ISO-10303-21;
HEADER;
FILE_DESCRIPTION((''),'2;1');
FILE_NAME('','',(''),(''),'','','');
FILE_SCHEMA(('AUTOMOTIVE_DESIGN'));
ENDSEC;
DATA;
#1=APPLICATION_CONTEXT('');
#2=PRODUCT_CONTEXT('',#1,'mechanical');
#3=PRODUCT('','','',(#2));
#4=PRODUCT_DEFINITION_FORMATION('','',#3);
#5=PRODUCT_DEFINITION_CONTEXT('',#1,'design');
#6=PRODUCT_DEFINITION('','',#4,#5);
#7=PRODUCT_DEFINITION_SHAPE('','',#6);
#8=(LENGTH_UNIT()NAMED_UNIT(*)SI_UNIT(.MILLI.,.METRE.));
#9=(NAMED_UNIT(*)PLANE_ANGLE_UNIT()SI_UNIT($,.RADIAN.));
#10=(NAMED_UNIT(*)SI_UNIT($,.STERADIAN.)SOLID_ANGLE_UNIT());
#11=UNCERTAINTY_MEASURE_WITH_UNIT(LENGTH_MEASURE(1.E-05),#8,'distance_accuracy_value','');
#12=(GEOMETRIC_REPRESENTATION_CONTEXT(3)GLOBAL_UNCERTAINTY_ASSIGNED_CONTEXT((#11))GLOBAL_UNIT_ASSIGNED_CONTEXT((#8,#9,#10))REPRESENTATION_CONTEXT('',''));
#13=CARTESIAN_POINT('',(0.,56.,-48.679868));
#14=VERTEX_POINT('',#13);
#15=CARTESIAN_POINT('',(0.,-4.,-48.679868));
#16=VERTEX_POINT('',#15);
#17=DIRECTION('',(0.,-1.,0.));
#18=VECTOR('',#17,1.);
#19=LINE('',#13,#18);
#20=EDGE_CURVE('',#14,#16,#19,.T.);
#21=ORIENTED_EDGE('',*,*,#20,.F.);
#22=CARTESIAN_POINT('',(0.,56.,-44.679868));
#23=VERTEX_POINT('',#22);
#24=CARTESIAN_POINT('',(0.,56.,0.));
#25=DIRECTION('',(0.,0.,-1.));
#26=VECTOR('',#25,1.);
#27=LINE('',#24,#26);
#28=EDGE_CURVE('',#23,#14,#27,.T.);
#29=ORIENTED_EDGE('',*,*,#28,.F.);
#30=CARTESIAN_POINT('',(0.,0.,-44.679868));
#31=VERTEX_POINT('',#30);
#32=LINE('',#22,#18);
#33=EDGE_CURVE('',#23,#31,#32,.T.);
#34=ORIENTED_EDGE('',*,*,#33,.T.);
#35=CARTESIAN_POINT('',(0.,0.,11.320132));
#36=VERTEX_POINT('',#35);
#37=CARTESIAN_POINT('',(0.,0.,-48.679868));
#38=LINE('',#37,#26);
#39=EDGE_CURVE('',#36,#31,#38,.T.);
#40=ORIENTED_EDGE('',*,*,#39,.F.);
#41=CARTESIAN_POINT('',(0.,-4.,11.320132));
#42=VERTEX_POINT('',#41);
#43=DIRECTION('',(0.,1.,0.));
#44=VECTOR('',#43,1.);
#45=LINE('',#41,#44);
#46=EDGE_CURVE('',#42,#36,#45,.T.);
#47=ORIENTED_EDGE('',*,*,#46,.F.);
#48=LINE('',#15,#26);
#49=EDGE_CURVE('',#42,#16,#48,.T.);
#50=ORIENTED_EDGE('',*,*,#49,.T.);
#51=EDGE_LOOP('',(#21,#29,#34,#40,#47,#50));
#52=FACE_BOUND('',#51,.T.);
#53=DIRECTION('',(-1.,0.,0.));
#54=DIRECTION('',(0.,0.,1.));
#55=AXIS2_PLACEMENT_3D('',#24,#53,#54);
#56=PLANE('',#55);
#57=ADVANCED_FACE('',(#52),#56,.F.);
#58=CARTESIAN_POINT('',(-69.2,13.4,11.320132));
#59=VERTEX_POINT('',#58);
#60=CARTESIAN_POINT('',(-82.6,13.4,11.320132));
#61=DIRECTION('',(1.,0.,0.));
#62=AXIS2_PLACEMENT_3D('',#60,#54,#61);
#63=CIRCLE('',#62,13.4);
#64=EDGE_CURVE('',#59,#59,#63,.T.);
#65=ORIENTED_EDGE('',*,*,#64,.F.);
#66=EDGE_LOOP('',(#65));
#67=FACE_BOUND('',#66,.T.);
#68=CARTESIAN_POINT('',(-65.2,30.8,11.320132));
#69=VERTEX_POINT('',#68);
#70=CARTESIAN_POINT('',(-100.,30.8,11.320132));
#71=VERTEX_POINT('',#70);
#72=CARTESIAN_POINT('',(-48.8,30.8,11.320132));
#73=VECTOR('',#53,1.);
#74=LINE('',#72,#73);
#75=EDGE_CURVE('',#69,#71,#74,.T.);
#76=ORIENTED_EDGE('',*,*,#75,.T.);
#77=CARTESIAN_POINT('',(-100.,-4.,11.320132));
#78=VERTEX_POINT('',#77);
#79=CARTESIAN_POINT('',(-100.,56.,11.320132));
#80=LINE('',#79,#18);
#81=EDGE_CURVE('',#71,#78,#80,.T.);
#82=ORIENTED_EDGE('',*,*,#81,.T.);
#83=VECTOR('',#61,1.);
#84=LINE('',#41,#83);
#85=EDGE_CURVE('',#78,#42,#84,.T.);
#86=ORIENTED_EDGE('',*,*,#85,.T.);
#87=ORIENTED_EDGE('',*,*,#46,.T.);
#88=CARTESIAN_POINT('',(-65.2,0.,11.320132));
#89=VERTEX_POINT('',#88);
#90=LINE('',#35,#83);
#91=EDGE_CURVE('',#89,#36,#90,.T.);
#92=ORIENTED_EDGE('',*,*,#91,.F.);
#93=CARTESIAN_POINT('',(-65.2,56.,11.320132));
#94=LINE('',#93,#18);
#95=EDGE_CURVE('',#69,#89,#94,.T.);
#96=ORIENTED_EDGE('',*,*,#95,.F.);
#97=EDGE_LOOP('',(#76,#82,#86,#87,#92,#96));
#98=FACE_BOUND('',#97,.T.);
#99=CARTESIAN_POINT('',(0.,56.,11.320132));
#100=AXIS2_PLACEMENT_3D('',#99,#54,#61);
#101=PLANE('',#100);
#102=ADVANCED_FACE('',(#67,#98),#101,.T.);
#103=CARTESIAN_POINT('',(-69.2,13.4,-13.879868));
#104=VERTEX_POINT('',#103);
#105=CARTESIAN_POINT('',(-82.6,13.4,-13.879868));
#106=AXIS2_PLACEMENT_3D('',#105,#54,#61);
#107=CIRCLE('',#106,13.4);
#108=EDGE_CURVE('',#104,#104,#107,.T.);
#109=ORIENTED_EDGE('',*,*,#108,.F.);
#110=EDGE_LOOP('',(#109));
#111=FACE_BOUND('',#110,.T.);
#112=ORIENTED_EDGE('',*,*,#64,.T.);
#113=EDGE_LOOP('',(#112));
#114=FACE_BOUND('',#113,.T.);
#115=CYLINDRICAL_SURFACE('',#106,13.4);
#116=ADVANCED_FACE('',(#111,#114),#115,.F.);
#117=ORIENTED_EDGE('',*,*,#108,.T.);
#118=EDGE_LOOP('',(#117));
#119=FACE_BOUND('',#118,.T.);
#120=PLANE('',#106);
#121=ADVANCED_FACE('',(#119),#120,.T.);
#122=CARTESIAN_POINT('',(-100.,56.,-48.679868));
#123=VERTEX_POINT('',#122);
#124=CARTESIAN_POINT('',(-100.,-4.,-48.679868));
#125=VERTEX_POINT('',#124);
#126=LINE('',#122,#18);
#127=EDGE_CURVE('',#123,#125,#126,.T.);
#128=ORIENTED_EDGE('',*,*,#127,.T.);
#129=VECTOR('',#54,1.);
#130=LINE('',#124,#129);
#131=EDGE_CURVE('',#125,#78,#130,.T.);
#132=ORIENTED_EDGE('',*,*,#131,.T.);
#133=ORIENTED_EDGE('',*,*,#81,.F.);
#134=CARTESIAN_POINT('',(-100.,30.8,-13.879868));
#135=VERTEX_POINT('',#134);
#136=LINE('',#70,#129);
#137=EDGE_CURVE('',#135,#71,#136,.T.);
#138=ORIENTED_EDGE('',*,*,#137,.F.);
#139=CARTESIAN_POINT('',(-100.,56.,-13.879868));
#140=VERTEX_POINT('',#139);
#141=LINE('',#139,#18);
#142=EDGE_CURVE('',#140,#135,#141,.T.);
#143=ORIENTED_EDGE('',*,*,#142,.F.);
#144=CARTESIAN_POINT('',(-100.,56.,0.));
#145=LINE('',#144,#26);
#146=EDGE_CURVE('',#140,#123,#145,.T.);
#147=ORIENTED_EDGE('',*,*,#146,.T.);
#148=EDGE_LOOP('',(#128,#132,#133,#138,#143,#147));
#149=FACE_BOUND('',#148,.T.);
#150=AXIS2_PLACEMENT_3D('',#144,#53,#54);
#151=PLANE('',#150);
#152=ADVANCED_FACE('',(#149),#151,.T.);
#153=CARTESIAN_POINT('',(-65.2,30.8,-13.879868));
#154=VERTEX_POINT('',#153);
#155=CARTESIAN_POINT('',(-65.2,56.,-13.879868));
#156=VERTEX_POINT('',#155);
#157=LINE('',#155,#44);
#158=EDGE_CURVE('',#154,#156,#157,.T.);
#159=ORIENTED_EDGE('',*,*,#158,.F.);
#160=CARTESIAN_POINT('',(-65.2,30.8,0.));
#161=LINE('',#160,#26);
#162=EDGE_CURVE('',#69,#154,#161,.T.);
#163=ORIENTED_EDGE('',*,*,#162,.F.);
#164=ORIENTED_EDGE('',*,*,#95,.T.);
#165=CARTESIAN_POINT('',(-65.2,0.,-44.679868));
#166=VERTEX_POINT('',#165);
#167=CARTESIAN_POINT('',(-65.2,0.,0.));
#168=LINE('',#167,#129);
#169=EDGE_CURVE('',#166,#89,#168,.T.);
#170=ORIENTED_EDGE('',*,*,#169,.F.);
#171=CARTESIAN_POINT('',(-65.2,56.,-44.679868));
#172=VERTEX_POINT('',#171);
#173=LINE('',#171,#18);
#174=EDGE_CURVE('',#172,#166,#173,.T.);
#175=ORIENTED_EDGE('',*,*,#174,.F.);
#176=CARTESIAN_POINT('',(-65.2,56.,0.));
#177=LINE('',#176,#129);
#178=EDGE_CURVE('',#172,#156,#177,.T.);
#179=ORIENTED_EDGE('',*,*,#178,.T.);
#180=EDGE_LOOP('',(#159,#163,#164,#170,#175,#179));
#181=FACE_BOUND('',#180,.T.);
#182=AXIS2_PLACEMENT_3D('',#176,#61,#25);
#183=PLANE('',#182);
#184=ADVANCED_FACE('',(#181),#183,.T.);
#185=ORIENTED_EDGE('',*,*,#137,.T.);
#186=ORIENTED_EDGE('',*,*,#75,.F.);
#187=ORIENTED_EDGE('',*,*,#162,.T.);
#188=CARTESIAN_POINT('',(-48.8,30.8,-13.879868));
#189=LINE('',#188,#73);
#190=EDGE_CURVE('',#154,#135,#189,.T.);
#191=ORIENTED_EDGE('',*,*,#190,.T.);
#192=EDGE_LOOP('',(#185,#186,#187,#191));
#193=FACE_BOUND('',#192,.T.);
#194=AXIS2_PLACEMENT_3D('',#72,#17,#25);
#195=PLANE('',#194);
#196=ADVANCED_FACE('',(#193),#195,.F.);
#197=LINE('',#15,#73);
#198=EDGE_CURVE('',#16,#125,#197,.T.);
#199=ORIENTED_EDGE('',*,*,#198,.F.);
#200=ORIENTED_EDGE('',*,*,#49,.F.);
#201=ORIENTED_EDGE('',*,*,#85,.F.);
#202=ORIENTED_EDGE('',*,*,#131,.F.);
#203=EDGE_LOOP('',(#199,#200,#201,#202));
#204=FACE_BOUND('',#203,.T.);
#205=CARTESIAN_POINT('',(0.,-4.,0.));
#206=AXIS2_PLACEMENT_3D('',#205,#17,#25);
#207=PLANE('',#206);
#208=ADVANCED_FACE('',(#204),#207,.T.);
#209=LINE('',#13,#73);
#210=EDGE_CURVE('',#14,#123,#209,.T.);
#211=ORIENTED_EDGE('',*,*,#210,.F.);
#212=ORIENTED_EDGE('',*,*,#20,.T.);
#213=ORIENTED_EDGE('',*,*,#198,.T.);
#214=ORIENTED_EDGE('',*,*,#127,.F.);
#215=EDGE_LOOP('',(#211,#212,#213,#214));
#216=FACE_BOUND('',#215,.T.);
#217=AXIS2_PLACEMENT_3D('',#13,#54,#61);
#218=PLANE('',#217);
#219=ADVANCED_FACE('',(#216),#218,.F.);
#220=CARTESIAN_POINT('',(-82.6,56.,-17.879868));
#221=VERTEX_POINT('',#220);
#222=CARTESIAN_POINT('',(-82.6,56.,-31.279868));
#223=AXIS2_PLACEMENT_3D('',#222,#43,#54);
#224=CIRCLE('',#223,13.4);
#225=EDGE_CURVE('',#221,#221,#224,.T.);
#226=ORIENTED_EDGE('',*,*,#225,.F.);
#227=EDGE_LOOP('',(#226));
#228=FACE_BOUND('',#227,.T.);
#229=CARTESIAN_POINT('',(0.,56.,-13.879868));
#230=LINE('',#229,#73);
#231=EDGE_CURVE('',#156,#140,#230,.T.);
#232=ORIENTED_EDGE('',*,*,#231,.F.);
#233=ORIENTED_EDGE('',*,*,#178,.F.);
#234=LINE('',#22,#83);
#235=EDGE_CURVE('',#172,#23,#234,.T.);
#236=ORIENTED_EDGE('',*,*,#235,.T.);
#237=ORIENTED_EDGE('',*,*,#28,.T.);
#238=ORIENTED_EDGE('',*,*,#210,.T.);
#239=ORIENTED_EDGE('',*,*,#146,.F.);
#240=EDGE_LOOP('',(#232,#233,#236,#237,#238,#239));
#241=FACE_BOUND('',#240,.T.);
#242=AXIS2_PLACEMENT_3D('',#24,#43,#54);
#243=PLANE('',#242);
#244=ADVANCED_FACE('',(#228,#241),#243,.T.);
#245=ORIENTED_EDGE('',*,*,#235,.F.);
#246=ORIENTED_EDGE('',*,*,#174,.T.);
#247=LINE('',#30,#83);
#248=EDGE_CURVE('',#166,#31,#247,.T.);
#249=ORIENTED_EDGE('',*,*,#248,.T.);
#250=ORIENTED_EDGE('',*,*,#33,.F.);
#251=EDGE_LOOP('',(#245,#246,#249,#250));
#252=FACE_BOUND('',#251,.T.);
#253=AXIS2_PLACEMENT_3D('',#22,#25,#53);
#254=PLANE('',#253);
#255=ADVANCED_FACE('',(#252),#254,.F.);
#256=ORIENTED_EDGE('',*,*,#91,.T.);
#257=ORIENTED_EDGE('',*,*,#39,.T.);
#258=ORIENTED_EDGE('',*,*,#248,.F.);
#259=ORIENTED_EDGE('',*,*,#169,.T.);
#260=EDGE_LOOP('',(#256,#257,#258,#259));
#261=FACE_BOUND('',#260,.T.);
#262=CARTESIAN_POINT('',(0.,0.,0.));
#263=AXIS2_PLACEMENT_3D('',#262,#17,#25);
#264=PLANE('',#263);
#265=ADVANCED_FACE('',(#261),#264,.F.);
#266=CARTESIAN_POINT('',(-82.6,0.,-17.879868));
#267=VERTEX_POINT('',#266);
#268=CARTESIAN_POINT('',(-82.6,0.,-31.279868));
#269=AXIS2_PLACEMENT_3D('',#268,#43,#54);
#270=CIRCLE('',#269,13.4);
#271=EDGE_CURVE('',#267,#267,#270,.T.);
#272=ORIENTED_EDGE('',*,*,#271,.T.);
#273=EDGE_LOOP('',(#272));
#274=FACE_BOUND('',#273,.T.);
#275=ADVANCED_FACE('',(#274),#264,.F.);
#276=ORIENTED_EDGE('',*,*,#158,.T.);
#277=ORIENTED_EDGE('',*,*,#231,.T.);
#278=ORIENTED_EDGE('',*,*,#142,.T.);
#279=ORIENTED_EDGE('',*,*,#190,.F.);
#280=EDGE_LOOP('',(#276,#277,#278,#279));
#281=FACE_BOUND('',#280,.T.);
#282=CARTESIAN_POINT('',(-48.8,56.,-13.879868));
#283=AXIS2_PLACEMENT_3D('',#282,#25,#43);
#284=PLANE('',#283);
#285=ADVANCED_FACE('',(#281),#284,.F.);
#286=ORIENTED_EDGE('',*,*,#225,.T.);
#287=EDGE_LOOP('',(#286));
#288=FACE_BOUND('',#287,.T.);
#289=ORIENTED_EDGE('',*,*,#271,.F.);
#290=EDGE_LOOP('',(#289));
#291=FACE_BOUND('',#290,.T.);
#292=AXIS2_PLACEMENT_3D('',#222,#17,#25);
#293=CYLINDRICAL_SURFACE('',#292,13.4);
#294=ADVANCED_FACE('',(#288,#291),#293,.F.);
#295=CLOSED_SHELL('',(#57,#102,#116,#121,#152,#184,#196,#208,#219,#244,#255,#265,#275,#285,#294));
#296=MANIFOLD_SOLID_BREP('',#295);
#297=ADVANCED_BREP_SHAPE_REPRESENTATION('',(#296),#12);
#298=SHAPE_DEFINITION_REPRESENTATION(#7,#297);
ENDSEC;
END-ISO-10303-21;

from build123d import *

# Parameters (mm, degrees)
SKETCH1_R           = 13.4
BOSS_EXTRUDE1_DEPTH = 56
SKETCH2_W           = 100
SKETCH2_H           = 60
BOSS_EXTRUDE2_DEPTH = 4
SKETCH3_R           = 13.4
CUT_EXTRUDE1_DEPTH  = 25.2
SKETCH4_W           = 25.2
SKETCH4_H           = 25.2
CUT_EXTRUDE2_DEPTH  = 51.2


with BuildPart() as part:
    # Sketch1 → Boss-Extrude1 (new body)
    with BuildSketch(Plane(origin=(0, 0, 0), x_dir=(1, 0, 0), z_dir=(0, 1, 0))):
        Polygon((-65.2, -11.320132013), (-65.2, 44.679867987), (0, 44.679867987), (0, 48.679867987), (-100, 48.679867987), (-100, -11.320132013), align=None)
        with Locations(Location((-82.6, 31.279867987, 0), (0, 0, 270))):
            Circle(SKETCH1_R, mode=Mode.SUBTRACT)
    extrude(amount=BOSS_EXTRUDE1_DEPTH)

    # Sketch2 → Boss-Extrude2 (add)
    with BuildSketch(Plane(origin=(0, 0, 0), x_dir=(1, 0, 0), z_dir=(0, 1, 0))):
        with Locations((-50, 18.679867987)):
            Rectangle(SKETCH2_W, SKETCH2_H)
    extrude(amount=-BOSS_EXTRUDE2_DEPTH)

    # Sketch3 → Cut-Extrude1 (cut)
    with BuildSketch(Plane.XY.offset(11.320132013)):
        with Locations((-82.6, 13.4)):
            Circle(SKETCH3_R)
    extrude(amount=-CUT_EXTRUDE1_DEPTH, mode=Mode.SUBTRACT)

    # Sketch4 → Cut-Extrude2 (cut)
    with BuildSketch(Plane.ZY.offset(100)):
        with Locations((-1.279867987, 43.4)):
            Rectangle(SKETCH4_W, SKETCH4_H)
    extrude(amount=-CUT_EXTRUDE2_DEPTH, mode=Mode.SUBTRACT)


solid = part.part
